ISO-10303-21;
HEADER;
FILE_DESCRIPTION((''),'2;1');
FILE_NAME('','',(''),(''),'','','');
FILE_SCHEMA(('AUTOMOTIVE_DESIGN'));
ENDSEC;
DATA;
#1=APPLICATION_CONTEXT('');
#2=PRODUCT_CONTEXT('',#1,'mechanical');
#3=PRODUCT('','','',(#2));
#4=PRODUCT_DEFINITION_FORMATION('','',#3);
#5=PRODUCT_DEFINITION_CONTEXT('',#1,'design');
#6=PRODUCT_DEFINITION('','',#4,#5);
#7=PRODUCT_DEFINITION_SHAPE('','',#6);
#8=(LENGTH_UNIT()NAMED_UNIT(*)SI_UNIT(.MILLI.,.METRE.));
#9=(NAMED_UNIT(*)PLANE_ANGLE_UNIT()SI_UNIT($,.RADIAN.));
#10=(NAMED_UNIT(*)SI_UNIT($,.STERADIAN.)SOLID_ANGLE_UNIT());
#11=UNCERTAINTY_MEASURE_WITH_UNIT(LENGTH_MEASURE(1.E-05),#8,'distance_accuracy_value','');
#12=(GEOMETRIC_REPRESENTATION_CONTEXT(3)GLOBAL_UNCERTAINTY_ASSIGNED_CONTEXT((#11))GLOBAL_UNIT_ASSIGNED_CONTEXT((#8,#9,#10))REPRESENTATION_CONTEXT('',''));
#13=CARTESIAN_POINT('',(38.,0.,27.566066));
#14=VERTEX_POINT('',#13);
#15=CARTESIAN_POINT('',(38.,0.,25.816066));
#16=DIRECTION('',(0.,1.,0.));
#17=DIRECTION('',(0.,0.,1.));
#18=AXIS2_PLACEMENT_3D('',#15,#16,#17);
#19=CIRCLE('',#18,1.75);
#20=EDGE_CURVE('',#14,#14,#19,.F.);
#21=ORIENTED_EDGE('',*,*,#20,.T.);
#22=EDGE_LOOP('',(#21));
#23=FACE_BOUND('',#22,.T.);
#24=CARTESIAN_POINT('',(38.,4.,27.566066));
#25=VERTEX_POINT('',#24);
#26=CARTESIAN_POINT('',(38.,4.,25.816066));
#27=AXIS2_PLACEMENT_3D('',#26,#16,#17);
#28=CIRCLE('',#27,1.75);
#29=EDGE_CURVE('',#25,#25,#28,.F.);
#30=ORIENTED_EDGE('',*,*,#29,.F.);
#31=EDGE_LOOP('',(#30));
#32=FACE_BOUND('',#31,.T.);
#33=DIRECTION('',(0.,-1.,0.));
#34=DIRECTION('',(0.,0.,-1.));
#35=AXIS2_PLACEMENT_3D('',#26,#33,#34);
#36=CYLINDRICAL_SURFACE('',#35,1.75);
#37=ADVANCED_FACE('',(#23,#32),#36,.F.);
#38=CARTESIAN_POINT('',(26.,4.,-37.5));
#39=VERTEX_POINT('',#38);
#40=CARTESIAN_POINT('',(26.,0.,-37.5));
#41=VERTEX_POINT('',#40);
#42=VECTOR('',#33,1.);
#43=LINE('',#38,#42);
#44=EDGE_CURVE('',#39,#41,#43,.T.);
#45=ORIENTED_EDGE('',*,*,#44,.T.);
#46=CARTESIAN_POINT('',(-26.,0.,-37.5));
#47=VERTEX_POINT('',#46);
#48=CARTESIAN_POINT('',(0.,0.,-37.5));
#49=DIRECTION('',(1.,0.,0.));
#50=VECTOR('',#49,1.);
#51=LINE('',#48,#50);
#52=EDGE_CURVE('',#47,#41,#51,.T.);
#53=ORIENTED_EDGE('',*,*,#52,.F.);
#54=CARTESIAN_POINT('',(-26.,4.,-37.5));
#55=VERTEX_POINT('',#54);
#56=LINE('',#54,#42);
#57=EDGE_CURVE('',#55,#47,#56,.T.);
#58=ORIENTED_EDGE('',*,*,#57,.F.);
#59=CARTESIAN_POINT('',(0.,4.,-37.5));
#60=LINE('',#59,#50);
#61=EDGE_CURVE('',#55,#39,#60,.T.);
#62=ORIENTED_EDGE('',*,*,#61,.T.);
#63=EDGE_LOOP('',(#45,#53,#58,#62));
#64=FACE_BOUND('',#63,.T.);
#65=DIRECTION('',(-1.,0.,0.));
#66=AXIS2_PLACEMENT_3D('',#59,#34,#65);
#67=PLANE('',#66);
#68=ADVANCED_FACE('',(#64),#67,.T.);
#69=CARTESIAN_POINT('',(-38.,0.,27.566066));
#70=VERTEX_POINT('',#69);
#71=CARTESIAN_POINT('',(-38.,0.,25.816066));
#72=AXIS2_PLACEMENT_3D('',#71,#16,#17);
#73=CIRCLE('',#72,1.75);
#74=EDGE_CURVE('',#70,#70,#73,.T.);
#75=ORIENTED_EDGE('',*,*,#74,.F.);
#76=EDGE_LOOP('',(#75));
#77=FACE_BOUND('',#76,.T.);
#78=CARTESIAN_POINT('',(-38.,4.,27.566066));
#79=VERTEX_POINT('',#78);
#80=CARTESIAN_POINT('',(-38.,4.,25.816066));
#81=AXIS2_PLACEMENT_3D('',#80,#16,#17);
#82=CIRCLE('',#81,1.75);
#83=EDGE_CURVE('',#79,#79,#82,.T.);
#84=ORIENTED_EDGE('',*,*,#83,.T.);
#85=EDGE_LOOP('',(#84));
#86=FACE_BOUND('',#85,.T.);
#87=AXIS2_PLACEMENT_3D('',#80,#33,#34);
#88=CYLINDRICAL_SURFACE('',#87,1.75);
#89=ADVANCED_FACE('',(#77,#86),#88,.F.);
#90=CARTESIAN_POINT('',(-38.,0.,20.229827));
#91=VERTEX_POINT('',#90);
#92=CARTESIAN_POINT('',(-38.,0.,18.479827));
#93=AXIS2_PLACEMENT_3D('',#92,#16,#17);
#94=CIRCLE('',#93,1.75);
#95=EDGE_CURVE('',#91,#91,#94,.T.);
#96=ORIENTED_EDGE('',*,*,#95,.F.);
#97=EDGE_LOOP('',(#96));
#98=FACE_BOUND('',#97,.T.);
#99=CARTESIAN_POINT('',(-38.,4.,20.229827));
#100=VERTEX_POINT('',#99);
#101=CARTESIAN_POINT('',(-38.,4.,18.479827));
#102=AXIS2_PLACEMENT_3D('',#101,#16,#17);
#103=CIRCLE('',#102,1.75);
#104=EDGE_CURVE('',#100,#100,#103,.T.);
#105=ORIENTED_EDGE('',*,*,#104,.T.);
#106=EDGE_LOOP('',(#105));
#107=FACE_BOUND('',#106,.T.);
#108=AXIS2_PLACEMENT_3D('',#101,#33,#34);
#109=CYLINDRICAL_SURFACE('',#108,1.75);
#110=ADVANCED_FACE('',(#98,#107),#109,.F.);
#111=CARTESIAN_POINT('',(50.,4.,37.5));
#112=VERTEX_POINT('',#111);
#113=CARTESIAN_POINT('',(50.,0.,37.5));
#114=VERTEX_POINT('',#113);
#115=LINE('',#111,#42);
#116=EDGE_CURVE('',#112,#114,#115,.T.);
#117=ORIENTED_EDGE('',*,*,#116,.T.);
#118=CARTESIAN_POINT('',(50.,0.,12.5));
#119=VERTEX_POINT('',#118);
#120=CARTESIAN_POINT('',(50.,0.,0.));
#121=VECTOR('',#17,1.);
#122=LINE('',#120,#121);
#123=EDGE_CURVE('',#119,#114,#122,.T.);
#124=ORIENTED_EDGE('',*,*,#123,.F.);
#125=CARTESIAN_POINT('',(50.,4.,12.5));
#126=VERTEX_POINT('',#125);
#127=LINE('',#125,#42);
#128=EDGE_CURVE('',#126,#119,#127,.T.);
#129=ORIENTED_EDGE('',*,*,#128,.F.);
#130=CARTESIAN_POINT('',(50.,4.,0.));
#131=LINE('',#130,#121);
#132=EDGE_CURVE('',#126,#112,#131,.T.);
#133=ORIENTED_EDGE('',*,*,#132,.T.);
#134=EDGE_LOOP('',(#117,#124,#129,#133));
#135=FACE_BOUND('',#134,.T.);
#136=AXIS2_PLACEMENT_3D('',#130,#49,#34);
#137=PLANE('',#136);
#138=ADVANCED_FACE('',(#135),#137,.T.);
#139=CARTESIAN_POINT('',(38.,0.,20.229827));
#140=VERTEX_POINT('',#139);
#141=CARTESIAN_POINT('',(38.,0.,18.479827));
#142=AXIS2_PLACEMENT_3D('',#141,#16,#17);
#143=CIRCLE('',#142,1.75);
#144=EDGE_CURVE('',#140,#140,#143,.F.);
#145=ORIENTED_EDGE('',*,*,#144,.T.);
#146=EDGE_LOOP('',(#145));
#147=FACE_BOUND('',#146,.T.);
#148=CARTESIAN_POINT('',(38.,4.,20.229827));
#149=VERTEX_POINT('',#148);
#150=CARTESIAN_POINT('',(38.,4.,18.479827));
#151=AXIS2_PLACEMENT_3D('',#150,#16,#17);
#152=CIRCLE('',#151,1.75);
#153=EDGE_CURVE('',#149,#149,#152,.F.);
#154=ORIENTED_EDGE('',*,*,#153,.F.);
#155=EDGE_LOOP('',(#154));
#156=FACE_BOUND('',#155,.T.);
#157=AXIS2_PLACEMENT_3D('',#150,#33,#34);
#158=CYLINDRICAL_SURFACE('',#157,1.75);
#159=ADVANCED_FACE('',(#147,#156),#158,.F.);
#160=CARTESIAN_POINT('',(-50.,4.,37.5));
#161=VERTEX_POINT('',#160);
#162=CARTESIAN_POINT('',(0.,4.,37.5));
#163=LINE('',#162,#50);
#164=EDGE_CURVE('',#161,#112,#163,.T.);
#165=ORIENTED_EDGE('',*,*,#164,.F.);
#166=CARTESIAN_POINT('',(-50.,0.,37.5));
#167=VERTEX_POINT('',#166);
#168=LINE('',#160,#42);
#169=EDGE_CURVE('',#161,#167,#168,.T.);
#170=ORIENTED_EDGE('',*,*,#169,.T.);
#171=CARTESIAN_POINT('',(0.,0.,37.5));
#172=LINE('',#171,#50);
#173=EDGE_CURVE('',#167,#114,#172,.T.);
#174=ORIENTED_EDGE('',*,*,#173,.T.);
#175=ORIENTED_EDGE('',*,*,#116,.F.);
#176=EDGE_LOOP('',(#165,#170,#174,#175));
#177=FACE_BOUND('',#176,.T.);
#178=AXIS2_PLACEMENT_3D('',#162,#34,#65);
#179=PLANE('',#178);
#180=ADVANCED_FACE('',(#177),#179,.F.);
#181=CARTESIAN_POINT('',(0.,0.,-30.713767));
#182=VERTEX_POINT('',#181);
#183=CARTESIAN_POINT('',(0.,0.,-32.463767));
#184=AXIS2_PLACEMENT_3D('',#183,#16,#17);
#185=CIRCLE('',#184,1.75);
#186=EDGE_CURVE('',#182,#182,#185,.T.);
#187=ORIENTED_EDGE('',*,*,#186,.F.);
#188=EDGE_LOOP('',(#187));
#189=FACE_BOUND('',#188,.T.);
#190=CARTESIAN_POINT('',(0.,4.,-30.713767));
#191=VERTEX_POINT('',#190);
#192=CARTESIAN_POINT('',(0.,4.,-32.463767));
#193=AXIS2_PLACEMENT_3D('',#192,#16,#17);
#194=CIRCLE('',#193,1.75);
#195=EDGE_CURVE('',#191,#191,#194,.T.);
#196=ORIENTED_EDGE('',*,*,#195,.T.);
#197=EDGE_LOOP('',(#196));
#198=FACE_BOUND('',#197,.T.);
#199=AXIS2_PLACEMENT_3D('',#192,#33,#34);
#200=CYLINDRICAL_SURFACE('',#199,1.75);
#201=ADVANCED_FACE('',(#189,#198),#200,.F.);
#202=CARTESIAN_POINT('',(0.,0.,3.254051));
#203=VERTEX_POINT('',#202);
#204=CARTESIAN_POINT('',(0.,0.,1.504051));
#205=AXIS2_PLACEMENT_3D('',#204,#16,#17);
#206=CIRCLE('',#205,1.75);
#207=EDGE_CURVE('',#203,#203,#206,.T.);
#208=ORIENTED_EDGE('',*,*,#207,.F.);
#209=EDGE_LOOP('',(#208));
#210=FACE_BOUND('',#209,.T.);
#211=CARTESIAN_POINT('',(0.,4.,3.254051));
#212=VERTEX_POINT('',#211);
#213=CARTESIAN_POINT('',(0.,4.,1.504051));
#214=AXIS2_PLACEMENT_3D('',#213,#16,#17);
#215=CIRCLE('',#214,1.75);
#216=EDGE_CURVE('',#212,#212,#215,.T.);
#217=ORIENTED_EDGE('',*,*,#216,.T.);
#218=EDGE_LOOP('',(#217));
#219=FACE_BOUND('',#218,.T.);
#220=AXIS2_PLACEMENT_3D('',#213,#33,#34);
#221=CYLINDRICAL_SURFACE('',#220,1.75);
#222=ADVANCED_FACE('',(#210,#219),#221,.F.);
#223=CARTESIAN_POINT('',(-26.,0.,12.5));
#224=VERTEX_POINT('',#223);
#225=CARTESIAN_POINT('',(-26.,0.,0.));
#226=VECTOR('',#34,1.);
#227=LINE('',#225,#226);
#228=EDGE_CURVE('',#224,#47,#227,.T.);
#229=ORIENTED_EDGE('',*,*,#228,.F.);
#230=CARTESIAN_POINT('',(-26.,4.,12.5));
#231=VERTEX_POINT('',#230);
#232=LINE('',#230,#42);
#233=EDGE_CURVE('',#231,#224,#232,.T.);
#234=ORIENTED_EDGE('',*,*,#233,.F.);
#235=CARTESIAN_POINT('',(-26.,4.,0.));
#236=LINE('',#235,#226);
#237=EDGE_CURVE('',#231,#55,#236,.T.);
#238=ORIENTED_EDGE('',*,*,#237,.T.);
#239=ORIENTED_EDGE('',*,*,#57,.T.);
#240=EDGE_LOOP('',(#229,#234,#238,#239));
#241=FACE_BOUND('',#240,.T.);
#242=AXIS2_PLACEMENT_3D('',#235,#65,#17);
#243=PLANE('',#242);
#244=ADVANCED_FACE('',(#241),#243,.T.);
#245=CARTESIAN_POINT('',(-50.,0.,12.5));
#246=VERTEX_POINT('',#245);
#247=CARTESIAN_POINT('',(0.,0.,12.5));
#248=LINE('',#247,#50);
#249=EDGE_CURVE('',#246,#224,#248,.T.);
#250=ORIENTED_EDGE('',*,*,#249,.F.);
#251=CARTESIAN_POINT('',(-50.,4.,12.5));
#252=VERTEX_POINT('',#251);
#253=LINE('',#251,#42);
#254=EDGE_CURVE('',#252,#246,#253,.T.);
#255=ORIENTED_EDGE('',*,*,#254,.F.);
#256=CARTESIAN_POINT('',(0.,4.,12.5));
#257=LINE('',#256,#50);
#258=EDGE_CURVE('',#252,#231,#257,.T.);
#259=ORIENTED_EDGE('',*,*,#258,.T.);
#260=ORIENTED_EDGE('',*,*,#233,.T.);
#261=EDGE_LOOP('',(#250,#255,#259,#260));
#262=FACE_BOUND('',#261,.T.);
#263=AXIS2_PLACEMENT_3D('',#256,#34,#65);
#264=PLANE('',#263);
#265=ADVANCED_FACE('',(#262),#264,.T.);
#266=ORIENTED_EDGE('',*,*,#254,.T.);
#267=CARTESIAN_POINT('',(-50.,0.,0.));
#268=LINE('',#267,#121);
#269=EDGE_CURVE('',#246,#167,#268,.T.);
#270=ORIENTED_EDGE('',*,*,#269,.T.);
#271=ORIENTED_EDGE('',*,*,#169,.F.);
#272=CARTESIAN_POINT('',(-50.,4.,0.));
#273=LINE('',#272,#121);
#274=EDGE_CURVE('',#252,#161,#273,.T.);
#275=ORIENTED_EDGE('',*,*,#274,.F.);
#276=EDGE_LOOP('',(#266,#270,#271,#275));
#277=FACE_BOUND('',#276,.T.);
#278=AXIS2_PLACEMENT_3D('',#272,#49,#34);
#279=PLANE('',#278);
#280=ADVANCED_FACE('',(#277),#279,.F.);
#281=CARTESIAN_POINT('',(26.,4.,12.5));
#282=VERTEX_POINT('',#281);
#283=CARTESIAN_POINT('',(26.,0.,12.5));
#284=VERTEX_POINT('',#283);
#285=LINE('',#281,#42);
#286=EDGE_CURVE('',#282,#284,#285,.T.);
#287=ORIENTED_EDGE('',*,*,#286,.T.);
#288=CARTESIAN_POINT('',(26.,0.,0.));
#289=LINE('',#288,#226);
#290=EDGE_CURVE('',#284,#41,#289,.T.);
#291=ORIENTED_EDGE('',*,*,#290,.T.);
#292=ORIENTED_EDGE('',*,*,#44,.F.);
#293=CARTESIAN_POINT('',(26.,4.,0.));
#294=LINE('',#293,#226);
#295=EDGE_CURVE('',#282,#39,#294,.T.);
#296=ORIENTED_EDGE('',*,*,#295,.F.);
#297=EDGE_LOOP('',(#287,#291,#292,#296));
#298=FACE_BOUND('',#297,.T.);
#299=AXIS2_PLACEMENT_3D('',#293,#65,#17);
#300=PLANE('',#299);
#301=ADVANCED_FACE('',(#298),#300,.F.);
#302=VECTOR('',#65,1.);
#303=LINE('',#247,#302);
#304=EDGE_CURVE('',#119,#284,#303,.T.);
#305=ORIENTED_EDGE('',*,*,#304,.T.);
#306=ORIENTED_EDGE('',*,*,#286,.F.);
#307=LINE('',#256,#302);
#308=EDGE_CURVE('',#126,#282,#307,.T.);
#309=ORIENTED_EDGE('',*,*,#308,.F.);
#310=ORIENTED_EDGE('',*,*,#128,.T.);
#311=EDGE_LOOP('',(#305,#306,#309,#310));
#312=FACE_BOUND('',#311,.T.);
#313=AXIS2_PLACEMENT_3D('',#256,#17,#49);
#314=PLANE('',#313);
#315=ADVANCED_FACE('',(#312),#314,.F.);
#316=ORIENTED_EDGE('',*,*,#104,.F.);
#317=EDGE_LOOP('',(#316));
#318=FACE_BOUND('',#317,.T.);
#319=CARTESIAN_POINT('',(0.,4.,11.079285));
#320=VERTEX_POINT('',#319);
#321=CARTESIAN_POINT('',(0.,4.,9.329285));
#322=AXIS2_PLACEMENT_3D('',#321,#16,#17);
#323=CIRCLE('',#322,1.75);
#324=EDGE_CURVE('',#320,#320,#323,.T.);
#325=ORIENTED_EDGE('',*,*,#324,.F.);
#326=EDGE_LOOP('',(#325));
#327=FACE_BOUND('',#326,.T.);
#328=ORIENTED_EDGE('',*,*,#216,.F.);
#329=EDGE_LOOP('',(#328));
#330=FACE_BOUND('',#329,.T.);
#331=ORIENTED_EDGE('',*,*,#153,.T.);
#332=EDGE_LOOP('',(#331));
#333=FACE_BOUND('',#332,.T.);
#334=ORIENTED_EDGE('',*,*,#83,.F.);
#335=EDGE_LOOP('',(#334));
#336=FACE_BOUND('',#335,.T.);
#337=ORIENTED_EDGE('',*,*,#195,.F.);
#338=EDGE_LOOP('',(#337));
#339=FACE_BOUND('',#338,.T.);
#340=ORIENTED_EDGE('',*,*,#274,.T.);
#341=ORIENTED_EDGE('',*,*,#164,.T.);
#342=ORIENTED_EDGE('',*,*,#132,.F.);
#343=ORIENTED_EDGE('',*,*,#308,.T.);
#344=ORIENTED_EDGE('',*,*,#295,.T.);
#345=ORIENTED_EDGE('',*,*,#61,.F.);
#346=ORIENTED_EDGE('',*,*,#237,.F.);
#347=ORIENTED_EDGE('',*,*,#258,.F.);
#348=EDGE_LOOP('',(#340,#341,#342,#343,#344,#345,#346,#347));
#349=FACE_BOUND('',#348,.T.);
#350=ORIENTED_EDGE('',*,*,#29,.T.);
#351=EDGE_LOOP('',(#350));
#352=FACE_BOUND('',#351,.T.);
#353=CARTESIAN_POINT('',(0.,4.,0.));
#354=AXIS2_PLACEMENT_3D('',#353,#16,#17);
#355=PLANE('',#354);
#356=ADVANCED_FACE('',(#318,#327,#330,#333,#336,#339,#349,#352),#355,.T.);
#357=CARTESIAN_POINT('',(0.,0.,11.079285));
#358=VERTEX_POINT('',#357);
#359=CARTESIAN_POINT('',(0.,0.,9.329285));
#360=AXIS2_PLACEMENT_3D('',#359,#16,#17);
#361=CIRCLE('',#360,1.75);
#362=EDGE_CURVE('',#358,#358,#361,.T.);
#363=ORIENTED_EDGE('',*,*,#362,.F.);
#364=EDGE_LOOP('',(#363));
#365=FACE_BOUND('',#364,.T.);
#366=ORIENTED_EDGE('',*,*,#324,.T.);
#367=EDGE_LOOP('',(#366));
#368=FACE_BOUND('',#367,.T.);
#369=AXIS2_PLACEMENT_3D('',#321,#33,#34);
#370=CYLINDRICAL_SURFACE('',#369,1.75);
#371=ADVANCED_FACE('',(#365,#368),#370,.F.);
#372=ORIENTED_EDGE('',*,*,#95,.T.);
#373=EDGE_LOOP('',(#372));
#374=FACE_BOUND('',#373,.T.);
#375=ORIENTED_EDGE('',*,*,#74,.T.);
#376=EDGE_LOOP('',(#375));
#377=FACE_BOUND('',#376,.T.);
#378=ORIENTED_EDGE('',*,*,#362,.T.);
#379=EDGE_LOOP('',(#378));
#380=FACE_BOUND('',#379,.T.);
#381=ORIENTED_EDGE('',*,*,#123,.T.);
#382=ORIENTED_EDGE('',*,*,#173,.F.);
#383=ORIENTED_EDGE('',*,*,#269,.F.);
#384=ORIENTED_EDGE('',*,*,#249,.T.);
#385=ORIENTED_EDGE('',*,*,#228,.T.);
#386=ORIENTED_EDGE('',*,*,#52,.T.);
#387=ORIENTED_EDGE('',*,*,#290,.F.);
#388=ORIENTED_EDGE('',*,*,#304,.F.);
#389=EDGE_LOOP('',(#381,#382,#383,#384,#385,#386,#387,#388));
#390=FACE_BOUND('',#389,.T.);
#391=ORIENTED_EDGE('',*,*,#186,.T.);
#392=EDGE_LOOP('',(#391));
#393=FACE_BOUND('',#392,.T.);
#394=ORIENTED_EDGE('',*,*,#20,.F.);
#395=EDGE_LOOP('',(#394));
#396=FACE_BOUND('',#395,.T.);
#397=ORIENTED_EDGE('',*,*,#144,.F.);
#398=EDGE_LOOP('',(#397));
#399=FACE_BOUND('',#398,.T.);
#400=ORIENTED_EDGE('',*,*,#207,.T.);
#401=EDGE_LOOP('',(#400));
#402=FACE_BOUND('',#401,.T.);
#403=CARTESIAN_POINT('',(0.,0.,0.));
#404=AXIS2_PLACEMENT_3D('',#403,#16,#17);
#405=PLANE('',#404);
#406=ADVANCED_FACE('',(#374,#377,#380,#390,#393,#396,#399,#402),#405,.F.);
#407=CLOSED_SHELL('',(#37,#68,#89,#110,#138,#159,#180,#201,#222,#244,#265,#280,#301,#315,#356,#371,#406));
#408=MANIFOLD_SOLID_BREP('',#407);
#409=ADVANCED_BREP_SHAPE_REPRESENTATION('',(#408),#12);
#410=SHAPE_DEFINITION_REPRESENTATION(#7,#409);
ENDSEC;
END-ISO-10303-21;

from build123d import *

# Parameters (mm, degrees)
CROQUIS1_R              = 1.75
SALIENTE_EXTRUIR1_DEPTH = 4


with BuildPart() as part:
    # Croquis1 → Saliente-Extruir1 (new body)
    with BuildSketch(Plane(origin=(0, 0, 0), x_dir=(1, 0, 0), z_dir=(0, 1, 0))):
        Polygon((-26, -12.5), (-50, -12.5), (-50, -37.5), (50, -37.5), (50, -12.5), (26, -12.5), (26, 37.5), (-26, 37.5), align=None)
        with Locations(Location((-38, -25.816065761, 0), (0, 0, 270))):
            Circle(CROQUIS1_R, mode=Mode.SUBTRACT)
        with Locations(Location((-38, -18.479827089, 0), (0, 0, 270))):
            Circle(CROQUIS1_R, mode=Mode.SUBTRACT)
        with Locations(Location((0, -9.329285485, 0), (0, 0, 270))):
            Circle(CROQUIS1_R, mode=Mode.SUBTRACT)
        with Locations(Location((0, -1.504051409, 0), (0, 0, 270))):
            Circle(CROQUIS1_R, mode=Mode.SUBTRACT)
        with Locations(Location((38, -25.816065761, 0), (0, 0, 270))):
            Circle(CROQUIS1_R, mode=Mode.SUBTRACT)
        with Locations(Location((38, -18.479827089, 0), (0, 0, 270))):
            Circle(CROQUIS1_R, mode=Mode.SUBTRACT)
        with Locations(Location((0, 32.46376687, 0), (0, 0, 270))):
            Circle(CROQUIS1_R, mode=Mode.SUBTRACT)
    extrude(amount=SALIENTE_EXTRUIR1_DEPTH)


solid = part.part
